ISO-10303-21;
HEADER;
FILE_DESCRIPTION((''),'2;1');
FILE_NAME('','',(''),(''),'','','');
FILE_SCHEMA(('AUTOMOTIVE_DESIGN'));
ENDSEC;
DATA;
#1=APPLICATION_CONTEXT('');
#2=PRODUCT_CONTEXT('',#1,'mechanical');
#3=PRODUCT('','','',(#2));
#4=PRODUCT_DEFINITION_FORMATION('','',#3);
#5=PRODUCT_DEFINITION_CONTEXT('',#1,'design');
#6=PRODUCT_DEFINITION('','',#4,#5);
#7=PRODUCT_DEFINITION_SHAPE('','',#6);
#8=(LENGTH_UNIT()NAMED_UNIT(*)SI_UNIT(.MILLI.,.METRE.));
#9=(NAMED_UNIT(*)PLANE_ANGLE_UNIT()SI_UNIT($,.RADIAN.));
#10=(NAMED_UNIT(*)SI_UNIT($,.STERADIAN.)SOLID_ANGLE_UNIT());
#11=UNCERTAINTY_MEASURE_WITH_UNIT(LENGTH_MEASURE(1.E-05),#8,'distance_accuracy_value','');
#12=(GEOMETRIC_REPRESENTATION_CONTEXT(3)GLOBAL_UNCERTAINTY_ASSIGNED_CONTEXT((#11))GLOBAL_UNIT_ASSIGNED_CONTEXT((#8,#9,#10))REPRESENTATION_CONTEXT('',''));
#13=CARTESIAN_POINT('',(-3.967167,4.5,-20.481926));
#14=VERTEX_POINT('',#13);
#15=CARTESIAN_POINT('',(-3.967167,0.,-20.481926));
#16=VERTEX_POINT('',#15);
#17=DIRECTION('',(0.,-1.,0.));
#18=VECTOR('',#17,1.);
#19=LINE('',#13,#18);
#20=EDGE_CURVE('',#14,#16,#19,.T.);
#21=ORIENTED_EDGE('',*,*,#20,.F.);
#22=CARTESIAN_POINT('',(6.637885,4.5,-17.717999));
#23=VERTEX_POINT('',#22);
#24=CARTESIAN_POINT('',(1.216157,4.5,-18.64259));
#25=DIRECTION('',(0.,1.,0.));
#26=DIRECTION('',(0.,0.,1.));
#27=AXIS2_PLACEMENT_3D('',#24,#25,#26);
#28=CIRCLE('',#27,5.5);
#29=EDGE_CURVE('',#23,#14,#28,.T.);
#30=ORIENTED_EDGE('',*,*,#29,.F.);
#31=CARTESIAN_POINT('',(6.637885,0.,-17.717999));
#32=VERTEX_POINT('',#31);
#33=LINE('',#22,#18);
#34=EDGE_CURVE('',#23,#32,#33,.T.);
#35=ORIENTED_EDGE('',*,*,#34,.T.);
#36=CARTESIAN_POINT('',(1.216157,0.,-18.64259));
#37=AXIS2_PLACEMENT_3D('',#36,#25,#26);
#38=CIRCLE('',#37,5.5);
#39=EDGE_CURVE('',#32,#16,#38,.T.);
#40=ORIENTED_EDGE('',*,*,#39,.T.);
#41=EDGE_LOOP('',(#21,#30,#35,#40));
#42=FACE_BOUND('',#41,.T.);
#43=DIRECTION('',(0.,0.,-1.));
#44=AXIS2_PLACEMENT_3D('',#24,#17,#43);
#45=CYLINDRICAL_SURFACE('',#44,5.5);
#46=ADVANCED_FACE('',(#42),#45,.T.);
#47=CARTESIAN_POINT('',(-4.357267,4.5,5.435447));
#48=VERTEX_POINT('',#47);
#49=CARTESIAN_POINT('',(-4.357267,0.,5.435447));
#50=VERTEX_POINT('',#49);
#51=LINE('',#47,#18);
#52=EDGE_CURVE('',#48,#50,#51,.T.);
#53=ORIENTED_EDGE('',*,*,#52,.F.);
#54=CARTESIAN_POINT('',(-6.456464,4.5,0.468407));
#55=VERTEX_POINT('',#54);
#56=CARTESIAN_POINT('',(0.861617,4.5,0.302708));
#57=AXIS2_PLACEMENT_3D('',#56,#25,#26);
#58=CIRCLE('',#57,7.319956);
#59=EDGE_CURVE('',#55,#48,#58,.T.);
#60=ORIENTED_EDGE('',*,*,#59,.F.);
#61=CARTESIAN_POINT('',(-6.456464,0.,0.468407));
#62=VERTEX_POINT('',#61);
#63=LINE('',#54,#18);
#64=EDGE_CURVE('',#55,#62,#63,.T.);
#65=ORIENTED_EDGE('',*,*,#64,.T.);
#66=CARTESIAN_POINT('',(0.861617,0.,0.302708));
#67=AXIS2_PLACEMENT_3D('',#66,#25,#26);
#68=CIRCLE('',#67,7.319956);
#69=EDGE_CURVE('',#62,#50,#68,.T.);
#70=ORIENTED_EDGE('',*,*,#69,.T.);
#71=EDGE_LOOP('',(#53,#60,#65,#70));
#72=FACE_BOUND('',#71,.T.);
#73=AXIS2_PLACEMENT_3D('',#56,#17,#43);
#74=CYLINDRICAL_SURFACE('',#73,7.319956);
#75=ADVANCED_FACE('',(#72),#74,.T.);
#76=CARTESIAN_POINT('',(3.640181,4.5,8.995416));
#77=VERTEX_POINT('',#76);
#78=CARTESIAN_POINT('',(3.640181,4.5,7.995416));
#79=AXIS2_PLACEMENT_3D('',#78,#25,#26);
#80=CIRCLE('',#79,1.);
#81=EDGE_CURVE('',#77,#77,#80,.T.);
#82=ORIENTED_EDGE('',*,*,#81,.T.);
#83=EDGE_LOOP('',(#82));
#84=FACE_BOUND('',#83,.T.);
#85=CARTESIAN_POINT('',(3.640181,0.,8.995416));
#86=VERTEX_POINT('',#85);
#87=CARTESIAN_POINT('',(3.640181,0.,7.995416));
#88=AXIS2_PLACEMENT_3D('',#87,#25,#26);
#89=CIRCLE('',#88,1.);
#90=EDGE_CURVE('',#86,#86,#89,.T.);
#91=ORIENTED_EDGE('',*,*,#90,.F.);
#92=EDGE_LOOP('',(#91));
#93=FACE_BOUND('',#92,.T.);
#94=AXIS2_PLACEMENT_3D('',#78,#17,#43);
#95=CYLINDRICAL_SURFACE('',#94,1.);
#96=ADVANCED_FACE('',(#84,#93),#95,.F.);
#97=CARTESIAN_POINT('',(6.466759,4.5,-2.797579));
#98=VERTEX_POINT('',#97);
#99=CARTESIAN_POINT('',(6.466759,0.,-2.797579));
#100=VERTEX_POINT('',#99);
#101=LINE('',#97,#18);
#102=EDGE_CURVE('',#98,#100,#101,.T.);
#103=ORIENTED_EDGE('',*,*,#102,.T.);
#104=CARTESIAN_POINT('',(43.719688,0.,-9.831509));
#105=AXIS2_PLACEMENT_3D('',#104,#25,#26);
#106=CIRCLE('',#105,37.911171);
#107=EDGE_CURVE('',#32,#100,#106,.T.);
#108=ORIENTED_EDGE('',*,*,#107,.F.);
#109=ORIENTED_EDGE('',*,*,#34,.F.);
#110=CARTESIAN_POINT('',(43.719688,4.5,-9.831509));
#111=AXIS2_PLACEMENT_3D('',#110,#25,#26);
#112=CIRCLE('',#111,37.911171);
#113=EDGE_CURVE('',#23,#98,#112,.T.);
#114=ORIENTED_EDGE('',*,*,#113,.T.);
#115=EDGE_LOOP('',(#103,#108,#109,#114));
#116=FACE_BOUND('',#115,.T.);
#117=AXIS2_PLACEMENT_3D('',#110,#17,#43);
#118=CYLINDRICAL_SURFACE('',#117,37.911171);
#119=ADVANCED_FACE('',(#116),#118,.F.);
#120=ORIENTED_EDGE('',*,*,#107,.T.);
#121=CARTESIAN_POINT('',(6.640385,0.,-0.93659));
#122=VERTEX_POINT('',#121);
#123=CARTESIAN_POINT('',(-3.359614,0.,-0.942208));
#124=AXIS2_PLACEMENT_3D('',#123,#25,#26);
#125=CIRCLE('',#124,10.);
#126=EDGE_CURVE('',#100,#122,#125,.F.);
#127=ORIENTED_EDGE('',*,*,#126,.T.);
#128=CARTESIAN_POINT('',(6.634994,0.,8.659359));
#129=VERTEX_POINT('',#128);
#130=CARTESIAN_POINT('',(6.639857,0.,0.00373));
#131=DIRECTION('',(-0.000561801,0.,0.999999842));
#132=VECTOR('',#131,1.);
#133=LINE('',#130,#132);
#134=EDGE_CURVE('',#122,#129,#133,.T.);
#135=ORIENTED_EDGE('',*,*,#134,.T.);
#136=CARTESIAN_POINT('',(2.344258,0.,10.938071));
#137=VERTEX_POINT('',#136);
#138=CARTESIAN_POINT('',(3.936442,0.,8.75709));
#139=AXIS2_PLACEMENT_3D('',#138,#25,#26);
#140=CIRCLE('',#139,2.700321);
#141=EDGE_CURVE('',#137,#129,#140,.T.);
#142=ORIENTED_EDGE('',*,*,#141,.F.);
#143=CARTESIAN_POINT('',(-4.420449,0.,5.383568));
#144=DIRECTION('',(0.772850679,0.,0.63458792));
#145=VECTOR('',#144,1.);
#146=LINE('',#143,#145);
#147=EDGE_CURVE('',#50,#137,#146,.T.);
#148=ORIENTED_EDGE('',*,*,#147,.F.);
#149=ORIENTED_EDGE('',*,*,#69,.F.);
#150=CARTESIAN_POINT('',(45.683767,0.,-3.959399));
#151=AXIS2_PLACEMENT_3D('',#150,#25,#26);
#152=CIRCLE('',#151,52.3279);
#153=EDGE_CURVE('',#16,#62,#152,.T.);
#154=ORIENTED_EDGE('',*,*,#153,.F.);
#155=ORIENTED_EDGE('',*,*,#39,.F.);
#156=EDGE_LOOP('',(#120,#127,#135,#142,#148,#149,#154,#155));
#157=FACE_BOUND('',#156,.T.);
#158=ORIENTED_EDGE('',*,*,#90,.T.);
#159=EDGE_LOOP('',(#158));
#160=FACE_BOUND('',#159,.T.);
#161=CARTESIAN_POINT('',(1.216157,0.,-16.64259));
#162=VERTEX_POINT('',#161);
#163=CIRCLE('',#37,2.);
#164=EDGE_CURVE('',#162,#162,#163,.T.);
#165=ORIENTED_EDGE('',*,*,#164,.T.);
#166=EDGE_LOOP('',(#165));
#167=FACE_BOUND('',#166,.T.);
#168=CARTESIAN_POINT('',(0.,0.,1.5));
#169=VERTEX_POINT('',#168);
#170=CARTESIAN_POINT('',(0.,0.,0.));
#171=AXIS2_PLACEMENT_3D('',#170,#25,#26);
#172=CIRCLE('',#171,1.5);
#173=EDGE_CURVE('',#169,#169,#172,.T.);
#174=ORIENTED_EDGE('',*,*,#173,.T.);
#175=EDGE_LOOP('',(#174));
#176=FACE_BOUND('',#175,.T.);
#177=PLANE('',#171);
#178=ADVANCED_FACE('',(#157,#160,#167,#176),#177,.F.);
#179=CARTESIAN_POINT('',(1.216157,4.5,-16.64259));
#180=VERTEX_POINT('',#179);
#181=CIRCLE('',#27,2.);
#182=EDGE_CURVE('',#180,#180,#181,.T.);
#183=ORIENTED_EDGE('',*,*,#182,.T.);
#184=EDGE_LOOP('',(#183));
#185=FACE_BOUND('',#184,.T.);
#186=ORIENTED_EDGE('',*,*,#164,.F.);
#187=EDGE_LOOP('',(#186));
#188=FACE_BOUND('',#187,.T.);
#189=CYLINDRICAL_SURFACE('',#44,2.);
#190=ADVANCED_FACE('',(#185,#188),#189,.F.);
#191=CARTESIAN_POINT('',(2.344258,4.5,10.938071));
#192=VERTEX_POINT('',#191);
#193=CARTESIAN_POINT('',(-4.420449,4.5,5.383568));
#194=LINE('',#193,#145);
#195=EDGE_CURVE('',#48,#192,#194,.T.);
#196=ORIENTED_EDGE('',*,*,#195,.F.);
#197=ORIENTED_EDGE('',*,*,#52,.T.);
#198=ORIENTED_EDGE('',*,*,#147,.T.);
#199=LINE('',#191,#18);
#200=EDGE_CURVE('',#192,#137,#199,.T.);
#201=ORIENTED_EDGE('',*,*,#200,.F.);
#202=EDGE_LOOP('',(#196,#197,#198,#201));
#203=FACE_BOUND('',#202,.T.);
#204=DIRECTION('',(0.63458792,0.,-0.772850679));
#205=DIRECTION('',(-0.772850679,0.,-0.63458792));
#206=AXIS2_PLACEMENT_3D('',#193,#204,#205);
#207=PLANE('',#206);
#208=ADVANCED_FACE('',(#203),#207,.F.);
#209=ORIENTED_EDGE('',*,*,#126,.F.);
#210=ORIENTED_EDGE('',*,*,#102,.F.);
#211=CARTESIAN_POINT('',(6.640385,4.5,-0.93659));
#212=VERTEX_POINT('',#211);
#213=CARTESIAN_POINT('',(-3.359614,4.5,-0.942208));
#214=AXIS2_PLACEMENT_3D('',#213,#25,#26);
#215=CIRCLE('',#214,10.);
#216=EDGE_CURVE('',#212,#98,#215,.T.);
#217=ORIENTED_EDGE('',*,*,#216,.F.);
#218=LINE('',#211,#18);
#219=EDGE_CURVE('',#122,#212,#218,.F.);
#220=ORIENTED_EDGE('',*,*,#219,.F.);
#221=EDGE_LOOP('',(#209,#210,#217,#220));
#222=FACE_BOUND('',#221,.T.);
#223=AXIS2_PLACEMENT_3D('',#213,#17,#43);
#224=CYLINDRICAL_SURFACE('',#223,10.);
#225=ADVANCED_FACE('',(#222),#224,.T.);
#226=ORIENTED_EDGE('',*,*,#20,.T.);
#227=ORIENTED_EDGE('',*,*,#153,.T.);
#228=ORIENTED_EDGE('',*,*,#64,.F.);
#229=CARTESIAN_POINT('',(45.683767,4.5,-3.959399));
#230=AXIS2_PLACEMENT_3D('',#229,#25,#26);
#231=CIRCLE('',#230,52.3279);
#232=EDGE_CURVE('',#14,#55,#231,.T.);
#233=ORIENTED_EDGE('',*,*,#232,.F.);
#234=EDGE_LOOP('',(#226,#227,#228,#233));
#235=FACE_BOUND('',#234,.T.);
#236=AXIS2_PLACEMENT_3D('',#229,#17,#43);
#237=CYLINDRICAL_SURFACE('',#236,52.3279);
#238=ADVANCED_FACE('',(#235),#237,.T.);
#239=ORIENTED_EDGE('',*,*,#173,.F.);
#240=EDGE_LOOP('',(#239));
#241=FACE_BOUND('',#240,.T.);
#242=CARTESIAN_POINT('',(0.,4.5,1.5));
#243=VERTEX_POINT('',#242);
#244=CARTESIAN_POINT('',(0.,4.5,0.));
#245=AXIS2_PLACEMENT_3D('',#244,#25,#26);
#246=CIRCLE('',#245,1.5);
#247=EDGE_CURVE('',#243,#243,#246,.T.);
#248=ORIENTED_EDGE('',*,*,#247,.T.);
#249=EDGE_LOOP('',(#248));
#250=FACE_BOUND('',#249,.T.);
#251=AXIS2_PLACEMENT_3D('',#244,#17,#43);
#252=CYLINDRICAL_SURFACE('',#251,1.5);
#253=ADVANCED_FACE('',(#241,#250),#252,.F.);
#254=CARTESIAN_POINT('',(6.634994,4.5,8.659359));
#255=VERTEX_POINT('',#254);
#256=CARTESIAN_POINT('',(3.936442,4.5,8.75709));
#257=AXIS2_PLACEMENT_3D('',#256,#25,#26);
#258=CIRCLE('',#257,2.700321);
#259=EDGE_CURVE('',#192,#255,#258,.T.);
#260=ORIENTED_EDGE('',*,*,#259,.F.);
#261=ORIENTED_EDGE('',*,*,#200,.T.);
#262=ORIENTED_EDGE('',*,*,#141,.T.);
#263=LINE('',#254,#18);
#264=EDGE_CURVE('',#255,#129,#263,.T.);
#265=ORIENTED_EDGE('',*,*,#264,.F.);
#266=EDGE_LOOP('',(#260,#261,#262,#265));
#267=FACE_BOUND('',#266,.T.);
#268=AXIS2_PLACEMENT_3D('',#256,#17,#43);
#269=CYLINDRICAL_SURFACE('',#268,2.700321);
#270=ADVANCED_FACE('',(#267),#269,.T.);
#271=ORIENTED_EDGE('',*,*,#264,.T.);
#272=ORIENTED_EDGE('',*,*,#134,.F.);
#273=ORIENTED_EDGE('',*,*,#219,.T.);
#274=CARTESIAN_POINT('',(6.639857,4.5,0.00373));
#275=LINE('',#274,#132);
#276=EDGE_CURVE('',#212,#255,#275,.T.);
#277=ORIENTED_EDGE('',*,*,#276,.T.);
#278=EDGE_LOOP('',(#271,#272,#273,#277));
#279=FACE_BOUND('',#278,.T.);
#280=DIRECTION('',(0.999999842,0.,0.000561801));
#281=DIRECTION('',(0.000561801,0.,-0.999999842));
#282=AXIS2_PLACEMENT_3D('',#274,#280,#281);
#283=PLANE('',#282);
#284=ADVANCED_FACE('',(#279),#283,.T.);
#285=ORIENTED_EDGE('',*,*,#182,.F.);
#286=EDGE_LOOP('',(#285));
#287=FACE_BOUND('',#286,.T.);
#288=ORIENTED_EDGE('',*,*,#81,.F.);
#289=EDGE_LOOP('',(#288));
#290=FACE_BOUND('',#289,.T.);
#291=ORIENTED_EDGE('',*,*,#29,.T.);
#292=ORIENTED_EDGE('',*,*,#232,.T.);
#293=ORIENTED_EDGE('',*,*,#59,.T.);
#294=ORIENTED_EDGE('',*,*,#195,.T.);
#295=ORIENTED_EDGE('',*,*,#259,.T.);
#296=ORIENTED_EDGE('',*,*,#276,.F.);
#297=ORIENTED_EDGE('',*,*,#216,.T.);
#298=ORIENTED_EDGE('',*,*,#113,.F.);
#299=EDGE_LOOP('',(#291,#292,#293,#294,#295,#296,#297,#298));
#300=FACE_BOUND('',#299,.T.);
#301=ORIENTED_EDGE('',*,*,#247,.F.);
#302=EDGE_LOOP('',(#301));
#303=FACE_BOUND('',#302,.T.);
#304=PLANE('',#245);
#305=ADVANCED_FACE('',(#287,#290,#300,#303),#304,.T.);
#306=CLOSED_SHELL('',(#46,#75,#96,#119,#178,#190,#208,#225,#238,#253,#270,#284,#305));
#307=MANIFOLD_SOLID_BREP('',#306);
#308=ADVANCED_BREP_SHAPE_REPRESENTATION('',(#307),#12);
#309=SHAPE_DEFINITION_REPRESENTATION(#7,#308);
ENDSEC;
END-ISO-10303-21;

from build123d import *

# Parameters (mm, degrees)
SKETCH1_R           = 1.5
SKETCH1_R_2         = 1
SKETCH1_R_3         = 2
BOSS_EXTRUDE1_DEPTH = 4.5
FILLET1_R           = 10


with BuildPart() as part:
    # Sketch1 → Boss-Extrude1 (new body)
    with BuildSketch(Plane(origin=(0, 0, 0), x_dir=(1, 0, 0), z_dir=(0, 1, 0))):
        with BuildLine():
            ThreePointArc((-6.456463654, -0.468407199), (-5.880915222, -3.152272765), (-4.357266756, -5.43544725))
            Line((-4.357266756, -5.43544725), (2.344258018, -10.938071213))
            ThreePointArc((2.344258018, -10.938071213), (5.202990751, -11.141955791), (6.634993867, -8.659358597))
            Line((6.634993867, -8.659358597), (6.640943349, 1.930649732))
            ThreePointArc((6.640943349, 1.930649732), (5.809058186, 9.628967625), (6.558640267, 17.335734652))
            ThreePointArc((6.558640267, 17.335734652), (6.597770339, 17.526968722), (6.637884512, 17.717998785))
            ThreePointArc((6.637884512, 17.717998785), (2.603251894, 23.964804241), (-3.96716661, 20.4819262))
            ThreePointArc((-3.96716661, 20.4819262), (-4.005352419, 20.366730432), (-4.043270963, 20.251446412))
            ThreePointArc((-4.043270963, 20.251446412), (-6.29279682, 10.012987158), (-6.456463654, -0.468407199))
        make_face()
        Circle(SKETCH1_R, mode=Mode.SUBTRACT)
        with Locations((3.64018052, -7.995416238)):
            Circle(SKETCH1_R_2, mode=Mode.SUBTRACT)
        with Locations((1.216156784, 18.642589744)):
            Circle(SKETCH1_R_3, mode=Mode.SUBTRACT)
    extrude(amount=BOSS_EXTRUDE1_DEPTH)

    # Fillet1
    fillet1_edges = [part.edges().sort_by_distance(p)[0] for p in [
        (6.640943349, 2.25, -1.930649732),
    ]]
    fillet(fillet1_edges, radius=FILLET1_R)


solid = part.part
